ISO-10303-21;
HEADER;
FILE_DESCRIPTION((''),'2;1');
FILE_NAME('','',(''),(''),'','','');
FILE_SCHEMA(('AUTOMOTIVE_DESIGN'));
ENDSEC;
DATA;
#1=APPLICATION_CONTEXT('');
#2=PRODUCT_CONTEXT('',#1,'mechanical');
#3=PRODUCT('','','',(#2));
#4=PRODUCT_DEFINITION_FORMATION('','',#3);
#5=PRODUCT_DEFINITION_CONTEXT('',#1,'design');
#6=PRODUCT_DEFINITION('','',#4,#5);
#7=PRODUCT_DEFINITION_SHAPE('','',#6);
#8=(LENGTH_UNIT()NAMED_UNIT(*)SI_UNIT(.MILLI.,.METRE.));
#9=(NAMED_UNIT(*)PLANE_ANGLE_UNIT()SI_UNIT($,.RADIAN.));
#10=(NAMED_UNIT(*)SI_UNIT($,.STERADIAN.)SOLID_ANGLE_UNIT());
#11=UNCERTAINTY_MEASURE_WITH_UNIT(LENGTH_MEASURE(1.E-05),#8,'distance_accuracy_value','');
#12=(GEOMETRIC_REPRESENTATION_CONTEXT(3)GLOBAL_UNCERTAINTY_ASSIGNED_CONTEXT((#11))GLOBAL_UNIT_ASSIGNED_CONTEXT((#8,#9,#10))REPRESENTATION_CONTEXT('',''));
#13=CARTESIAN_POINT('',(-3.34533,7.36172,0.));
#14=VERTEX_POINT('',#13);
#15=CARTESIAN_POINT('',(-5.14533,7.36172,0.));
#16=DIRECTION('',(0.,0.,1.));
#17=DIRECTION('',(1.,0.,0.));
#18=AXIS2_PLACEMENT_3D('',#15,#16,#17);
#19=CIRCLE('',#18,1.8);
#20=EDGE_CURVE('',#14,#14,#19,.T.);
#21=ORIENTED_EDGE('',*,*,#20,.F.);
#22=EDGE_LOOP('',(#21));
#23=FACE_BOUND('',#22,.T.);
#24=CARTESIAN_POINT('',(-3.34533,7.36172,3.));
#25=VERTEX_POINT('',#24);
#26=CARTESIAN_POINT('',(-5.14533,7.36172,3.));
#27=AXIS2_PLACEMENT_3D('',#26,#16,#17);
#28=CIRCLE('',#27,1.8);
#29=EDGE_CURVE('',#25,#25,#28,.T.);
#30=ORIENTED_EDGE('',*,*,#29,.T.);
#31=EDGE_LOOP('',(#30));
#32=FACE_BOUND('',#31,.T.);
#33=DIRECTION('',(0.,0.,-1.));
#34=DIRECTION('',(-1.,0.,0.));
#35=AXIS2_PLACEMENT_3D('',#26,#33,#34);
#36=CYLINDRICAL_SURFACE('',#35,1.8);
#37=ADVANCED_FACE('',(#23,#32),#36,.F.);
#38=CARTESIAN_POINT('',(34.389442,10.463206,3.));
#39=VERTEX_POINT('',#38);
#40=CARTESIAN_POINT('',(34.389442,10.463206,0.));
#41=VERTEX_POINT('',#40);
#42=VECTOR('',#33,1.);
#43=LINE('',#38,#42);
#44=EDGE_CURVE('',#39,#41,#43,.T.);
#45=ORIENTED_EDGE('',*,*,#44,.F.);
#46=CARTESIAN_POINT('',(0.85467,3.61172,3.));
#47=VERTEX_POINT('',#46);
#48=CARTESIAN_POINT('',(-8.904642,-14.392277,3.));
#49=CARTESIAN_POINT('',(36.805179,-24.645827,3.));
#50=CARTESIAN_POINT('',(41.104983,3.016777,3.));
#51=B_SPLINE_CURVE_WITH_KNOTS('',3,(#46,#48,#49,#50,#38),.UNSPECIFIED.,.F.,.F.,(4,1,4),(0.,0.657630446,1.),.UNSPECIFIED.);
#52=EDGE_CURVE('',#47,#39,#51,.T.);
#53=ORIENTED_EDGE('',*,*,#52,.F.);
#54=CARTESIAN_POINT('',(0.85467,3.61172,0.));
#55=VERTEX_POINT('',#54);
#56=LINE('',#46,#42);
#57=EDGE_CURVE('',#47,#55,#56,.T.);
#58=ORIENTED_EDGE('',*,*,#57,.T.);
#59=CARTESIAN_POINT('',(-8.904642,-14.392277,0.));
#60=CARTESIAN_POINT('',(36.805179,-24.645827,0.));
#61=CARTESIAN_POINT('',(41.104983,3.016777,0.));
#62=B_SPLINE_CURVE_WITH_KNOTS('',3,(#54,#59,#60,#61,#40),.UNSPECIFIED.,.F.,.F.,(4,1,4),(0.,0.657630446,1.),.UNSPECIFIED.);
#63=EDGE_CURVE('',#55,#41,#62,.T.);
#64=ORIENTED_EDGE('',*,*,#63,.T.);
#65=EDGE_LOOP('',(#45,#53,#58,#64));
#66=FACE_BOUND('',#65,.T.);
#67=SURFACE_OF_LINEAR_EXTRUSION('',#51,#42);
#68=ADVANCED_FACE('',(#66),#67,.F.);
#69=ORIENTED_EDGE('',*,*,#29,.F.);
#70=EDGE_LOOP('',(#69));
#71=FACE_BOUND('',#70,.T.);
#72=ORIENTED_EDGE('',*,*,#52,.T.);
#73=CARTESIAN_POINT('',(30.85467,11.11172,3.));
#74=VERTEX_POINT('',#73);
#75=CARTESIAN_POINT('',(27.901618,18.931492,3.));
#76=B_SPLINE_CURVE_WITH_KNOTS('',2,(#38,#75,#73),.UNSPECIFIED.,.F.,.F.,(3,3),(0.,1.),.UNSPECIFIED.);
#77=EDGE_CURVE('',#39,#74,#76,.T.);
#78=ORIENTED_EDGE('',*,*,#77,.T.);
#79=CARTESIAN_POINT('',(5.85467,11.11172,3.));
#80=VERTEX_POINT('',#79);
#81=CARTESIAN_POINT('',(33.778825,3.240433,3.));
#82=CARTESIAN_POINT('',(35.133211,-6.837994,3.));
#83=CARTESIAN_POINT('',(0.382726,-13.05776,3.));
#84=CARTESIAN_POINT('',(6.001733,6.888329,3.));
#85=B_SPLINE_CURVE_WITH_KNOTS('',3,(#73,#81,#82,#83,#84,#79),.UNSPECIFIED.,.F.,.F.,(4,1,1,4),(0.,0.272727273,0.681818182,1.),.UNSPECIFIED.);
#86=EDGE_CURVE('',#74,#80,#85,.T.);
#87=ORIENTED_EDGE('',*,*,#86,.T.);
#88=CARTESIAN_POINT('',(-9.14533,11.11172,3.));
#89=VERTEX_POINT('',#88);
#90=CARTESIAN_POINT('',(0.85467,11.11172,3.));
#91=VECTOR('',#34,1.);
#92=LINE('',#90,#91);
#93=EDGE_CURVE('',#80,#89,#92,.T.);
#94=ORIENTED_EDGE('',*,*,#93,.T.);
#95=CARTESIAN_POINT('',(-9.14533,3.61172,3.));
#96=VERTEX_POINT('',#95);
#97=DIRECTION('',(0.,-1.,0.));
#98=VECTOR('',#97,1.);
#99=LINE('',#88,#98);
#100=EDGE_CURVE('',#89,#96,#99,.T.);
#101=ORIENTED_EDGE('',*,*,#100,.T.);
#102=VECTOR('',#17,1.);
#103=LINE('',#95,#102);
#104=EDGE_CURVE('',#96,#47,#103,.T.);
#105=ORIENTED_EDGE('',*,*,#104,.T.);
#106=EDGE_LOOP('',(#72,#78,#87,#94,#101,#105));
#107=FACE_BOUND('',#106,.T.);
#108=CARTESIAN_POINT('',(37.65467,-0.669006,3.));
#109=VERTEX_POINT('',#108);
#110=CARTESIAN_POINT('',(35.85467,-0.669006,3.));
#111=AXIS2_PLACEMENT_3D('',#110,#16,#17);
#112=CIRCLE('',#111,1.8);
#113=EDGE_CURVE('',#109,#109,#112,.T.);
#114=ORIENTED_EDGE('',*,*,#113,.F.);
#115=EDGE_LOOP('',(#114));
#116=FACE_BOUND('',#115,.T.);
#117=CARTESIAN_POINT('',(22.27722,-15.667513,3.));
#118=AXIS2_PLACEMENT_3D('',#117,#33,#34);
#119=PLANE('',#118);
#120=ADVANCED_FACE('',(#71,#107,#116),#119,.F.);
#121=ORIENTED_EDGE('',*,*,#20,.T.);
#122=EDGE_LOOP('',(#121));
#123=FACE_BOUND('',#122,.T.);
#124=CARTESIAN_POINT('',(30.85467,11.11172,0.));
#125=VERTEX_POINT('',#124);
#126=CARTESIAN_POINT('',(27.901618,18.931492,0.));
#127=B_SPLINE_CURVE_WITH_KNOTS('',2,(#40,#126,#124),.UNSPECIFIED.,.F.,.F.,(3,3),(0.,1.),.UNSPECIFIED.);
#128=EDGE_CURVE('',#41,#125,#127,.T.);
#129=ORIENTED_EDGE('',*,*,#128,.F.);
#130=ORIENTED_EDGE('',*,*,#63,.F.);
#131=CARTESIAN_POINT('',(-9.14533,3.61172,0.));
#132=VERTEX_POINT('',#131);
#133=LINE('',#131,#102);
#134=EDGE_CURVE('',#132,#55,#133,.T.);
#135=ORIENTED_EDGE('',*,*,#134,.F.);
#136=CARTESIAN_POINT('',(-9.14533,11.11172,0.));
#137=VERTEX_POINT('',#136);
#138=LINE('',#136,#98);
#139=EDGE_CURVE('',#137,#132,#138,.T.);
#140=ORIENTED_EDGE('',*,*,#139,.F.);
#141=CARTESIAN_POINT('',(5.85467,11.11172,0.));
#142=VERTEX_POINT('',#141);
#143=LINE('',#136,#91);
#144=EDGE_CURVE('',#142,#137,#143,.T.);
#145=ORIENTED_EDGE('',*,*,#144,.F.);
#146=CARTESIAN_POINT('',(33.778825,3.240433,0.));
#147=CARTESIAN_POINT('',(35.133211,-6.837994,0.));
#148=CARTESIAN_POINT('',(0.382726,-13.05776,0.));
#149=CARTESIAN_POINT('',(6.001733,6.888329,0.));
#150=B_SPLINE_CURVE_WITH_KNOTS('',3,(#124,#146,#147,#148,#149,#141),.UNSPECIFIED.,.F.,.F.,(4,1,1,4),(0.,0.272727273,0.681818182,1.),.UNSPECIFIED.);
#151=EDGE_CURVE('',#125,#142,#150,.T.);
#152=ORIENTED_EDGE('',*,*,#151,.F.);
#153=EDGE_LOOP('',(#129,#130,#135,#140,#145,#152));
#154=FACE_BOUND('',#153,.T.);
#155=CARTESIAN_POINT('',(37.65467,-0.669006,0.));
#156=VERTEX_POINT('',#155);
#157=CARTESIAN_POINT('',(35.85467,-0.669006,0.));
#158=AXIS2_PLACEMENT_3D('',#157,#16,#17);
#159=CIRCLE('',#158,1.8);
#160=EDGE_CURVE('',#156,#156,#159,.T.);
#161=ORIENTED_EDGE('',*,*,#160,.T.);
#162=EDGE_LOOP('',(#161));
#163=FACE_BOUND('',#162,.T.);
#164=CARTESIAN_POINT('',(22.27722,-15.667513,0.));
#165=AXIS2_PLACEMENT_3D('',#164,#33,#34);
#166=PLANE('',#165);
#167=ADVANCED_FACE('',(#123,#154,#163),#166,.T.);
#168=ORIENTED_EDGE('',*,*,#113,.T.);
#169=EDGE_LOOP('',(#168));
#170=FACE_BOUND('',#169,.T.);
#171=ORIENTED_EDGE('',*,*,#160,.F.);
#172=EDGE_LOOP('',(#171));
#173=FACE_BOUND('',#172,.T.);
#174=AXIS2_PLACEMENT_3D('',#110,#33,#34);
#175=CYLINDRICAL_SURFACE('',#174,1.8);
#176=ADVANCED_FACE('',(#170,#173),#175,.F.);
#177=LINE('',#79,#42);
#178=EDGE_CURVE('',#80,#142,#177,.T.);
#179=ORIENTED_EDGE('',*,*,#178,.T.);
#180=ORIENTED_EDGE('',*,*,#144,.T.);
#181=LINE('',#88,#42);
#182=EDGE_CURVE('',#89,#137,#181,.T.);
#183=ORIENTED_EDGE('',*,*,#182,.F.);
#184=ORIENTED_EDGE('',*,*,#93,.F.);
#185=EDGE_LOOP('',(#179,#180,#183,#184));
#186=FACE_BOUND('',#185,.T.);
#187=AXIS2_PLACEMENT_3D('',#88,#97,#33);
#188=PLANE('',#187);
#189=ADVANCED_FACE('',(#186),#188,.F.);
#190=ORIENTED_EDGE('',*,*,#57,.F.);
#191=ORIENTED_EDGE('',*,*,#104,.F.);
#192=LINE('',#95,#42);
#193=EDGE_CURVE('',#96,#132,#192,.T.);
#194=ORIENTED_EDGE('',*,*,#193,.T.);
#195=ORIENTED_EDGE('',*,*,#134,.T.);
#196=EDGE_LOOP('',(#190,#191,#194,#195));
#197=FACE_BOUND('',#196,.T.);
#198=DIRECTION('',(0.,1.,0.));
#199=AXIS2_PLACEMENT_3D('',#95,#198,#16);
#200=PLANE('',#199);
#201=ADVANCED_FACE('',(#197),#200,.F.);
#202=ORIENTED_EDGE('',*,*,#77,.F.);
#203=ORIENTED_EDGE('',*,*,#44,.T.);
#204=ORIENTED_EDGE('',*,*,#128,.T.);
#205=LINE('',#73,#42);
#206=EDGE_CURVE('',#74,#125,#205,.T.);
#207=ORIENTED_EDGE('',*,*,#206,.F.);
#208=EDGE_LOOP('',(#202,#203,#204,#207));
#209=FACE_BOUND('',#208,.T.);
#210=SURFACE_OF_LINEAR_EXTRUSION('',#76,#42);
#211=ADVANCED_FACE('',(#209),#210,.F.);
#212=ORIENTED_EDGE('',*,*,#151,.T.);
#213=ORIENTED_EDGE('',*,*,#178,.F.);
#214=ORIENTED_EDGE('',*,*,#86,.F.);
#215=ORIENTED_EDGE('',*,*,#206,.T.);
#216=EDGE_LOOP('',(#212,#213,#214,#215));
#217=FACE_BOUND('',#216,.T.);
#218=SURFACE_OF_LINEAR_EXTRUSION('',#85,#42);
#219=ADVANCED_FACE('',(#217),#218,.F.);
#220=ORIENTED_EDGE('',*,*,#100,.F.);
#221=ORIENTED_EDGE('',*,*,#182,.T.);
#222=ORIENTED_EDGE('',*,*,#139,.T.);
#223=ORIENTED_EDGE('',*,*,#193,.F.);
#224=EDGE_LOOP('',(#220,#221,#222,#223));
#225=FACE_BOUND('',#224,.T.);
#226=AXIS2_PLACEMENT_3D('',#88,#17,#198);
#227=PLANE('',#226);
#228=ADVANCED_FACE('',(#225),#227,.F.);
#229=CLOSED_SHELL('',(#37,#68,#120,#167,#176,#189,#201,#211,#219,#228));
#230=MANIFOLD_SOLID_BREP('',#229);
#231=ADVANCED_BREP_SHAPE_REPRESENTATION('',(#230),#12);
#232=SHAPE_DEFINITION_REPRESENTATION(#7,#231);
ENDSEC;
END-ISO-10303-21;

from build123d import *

# Parameters (mm, degrees)
ESQUISSE1_R        = 1.8
BOSS_EXTRU_1_DEPTH = 3


with BuildPart() as part:
    # Esquisse1 → Boss.-Extru.1 (new body)
    with BuildSketch(Plane.XY):
        with BuildLine():
            Line((-9.145330081, 11.111719912), (0.854669919, 11.111719912))
            Line((0.854669919, 11.111719912), (5.854669919, 11.111719912))
            add(Edge.make_bspline(
                [(5.854669919, 11.111719912), (6.001733277, 6.888329486), (0.382726488, -13.057760188), (35.133210567, -6.83799381), (33.778825155, 3.240433108), (30.854669919, 11.111719912)],
                knots=[0, 0, 0, 0, 0.318181818, 0.727272727, 1, 1, 1, 1], degree=3))
            add(Edge.make_bspline(
                [(34.389441517, 10.463206131), (27.90161821, 18.931491829), (30.854669919, 11.111719912)],
                knots=[0, 0, 0, 1, 1, 1], degree=2))
            add(Edge.make_bspline(
                [(0.854669919, 3.611719912), (-8.904641883, -14.392277313), (36.805178859, -24.645827474), (41.104982554, 3.016776947), (34.389441517, 10.463206131)],
                knots=[0, 0, 0, 0, 0.657630446, 1, 1, 1, 1], degree=3))
            Line((0.854669919, 3.611719912), (-9.145330081, 3.611719912))
            Line((-9.145330081, 3.611719912), (-9.145330081, 11.111719912))
        make_face()
        with Locations((-5.145330081, 7.361719912)):
            Circle(ESQUISSE1_R, mode=Mode.SUBTRACT)
        with Locations((35.854669919, -0.66900557)):
            Circle(ESQUISSE1_R, mode=Mode.SUBTRACT)
    extrude(amount=BOSS_EXTRU_1_DEPTH)


solid = part.part
